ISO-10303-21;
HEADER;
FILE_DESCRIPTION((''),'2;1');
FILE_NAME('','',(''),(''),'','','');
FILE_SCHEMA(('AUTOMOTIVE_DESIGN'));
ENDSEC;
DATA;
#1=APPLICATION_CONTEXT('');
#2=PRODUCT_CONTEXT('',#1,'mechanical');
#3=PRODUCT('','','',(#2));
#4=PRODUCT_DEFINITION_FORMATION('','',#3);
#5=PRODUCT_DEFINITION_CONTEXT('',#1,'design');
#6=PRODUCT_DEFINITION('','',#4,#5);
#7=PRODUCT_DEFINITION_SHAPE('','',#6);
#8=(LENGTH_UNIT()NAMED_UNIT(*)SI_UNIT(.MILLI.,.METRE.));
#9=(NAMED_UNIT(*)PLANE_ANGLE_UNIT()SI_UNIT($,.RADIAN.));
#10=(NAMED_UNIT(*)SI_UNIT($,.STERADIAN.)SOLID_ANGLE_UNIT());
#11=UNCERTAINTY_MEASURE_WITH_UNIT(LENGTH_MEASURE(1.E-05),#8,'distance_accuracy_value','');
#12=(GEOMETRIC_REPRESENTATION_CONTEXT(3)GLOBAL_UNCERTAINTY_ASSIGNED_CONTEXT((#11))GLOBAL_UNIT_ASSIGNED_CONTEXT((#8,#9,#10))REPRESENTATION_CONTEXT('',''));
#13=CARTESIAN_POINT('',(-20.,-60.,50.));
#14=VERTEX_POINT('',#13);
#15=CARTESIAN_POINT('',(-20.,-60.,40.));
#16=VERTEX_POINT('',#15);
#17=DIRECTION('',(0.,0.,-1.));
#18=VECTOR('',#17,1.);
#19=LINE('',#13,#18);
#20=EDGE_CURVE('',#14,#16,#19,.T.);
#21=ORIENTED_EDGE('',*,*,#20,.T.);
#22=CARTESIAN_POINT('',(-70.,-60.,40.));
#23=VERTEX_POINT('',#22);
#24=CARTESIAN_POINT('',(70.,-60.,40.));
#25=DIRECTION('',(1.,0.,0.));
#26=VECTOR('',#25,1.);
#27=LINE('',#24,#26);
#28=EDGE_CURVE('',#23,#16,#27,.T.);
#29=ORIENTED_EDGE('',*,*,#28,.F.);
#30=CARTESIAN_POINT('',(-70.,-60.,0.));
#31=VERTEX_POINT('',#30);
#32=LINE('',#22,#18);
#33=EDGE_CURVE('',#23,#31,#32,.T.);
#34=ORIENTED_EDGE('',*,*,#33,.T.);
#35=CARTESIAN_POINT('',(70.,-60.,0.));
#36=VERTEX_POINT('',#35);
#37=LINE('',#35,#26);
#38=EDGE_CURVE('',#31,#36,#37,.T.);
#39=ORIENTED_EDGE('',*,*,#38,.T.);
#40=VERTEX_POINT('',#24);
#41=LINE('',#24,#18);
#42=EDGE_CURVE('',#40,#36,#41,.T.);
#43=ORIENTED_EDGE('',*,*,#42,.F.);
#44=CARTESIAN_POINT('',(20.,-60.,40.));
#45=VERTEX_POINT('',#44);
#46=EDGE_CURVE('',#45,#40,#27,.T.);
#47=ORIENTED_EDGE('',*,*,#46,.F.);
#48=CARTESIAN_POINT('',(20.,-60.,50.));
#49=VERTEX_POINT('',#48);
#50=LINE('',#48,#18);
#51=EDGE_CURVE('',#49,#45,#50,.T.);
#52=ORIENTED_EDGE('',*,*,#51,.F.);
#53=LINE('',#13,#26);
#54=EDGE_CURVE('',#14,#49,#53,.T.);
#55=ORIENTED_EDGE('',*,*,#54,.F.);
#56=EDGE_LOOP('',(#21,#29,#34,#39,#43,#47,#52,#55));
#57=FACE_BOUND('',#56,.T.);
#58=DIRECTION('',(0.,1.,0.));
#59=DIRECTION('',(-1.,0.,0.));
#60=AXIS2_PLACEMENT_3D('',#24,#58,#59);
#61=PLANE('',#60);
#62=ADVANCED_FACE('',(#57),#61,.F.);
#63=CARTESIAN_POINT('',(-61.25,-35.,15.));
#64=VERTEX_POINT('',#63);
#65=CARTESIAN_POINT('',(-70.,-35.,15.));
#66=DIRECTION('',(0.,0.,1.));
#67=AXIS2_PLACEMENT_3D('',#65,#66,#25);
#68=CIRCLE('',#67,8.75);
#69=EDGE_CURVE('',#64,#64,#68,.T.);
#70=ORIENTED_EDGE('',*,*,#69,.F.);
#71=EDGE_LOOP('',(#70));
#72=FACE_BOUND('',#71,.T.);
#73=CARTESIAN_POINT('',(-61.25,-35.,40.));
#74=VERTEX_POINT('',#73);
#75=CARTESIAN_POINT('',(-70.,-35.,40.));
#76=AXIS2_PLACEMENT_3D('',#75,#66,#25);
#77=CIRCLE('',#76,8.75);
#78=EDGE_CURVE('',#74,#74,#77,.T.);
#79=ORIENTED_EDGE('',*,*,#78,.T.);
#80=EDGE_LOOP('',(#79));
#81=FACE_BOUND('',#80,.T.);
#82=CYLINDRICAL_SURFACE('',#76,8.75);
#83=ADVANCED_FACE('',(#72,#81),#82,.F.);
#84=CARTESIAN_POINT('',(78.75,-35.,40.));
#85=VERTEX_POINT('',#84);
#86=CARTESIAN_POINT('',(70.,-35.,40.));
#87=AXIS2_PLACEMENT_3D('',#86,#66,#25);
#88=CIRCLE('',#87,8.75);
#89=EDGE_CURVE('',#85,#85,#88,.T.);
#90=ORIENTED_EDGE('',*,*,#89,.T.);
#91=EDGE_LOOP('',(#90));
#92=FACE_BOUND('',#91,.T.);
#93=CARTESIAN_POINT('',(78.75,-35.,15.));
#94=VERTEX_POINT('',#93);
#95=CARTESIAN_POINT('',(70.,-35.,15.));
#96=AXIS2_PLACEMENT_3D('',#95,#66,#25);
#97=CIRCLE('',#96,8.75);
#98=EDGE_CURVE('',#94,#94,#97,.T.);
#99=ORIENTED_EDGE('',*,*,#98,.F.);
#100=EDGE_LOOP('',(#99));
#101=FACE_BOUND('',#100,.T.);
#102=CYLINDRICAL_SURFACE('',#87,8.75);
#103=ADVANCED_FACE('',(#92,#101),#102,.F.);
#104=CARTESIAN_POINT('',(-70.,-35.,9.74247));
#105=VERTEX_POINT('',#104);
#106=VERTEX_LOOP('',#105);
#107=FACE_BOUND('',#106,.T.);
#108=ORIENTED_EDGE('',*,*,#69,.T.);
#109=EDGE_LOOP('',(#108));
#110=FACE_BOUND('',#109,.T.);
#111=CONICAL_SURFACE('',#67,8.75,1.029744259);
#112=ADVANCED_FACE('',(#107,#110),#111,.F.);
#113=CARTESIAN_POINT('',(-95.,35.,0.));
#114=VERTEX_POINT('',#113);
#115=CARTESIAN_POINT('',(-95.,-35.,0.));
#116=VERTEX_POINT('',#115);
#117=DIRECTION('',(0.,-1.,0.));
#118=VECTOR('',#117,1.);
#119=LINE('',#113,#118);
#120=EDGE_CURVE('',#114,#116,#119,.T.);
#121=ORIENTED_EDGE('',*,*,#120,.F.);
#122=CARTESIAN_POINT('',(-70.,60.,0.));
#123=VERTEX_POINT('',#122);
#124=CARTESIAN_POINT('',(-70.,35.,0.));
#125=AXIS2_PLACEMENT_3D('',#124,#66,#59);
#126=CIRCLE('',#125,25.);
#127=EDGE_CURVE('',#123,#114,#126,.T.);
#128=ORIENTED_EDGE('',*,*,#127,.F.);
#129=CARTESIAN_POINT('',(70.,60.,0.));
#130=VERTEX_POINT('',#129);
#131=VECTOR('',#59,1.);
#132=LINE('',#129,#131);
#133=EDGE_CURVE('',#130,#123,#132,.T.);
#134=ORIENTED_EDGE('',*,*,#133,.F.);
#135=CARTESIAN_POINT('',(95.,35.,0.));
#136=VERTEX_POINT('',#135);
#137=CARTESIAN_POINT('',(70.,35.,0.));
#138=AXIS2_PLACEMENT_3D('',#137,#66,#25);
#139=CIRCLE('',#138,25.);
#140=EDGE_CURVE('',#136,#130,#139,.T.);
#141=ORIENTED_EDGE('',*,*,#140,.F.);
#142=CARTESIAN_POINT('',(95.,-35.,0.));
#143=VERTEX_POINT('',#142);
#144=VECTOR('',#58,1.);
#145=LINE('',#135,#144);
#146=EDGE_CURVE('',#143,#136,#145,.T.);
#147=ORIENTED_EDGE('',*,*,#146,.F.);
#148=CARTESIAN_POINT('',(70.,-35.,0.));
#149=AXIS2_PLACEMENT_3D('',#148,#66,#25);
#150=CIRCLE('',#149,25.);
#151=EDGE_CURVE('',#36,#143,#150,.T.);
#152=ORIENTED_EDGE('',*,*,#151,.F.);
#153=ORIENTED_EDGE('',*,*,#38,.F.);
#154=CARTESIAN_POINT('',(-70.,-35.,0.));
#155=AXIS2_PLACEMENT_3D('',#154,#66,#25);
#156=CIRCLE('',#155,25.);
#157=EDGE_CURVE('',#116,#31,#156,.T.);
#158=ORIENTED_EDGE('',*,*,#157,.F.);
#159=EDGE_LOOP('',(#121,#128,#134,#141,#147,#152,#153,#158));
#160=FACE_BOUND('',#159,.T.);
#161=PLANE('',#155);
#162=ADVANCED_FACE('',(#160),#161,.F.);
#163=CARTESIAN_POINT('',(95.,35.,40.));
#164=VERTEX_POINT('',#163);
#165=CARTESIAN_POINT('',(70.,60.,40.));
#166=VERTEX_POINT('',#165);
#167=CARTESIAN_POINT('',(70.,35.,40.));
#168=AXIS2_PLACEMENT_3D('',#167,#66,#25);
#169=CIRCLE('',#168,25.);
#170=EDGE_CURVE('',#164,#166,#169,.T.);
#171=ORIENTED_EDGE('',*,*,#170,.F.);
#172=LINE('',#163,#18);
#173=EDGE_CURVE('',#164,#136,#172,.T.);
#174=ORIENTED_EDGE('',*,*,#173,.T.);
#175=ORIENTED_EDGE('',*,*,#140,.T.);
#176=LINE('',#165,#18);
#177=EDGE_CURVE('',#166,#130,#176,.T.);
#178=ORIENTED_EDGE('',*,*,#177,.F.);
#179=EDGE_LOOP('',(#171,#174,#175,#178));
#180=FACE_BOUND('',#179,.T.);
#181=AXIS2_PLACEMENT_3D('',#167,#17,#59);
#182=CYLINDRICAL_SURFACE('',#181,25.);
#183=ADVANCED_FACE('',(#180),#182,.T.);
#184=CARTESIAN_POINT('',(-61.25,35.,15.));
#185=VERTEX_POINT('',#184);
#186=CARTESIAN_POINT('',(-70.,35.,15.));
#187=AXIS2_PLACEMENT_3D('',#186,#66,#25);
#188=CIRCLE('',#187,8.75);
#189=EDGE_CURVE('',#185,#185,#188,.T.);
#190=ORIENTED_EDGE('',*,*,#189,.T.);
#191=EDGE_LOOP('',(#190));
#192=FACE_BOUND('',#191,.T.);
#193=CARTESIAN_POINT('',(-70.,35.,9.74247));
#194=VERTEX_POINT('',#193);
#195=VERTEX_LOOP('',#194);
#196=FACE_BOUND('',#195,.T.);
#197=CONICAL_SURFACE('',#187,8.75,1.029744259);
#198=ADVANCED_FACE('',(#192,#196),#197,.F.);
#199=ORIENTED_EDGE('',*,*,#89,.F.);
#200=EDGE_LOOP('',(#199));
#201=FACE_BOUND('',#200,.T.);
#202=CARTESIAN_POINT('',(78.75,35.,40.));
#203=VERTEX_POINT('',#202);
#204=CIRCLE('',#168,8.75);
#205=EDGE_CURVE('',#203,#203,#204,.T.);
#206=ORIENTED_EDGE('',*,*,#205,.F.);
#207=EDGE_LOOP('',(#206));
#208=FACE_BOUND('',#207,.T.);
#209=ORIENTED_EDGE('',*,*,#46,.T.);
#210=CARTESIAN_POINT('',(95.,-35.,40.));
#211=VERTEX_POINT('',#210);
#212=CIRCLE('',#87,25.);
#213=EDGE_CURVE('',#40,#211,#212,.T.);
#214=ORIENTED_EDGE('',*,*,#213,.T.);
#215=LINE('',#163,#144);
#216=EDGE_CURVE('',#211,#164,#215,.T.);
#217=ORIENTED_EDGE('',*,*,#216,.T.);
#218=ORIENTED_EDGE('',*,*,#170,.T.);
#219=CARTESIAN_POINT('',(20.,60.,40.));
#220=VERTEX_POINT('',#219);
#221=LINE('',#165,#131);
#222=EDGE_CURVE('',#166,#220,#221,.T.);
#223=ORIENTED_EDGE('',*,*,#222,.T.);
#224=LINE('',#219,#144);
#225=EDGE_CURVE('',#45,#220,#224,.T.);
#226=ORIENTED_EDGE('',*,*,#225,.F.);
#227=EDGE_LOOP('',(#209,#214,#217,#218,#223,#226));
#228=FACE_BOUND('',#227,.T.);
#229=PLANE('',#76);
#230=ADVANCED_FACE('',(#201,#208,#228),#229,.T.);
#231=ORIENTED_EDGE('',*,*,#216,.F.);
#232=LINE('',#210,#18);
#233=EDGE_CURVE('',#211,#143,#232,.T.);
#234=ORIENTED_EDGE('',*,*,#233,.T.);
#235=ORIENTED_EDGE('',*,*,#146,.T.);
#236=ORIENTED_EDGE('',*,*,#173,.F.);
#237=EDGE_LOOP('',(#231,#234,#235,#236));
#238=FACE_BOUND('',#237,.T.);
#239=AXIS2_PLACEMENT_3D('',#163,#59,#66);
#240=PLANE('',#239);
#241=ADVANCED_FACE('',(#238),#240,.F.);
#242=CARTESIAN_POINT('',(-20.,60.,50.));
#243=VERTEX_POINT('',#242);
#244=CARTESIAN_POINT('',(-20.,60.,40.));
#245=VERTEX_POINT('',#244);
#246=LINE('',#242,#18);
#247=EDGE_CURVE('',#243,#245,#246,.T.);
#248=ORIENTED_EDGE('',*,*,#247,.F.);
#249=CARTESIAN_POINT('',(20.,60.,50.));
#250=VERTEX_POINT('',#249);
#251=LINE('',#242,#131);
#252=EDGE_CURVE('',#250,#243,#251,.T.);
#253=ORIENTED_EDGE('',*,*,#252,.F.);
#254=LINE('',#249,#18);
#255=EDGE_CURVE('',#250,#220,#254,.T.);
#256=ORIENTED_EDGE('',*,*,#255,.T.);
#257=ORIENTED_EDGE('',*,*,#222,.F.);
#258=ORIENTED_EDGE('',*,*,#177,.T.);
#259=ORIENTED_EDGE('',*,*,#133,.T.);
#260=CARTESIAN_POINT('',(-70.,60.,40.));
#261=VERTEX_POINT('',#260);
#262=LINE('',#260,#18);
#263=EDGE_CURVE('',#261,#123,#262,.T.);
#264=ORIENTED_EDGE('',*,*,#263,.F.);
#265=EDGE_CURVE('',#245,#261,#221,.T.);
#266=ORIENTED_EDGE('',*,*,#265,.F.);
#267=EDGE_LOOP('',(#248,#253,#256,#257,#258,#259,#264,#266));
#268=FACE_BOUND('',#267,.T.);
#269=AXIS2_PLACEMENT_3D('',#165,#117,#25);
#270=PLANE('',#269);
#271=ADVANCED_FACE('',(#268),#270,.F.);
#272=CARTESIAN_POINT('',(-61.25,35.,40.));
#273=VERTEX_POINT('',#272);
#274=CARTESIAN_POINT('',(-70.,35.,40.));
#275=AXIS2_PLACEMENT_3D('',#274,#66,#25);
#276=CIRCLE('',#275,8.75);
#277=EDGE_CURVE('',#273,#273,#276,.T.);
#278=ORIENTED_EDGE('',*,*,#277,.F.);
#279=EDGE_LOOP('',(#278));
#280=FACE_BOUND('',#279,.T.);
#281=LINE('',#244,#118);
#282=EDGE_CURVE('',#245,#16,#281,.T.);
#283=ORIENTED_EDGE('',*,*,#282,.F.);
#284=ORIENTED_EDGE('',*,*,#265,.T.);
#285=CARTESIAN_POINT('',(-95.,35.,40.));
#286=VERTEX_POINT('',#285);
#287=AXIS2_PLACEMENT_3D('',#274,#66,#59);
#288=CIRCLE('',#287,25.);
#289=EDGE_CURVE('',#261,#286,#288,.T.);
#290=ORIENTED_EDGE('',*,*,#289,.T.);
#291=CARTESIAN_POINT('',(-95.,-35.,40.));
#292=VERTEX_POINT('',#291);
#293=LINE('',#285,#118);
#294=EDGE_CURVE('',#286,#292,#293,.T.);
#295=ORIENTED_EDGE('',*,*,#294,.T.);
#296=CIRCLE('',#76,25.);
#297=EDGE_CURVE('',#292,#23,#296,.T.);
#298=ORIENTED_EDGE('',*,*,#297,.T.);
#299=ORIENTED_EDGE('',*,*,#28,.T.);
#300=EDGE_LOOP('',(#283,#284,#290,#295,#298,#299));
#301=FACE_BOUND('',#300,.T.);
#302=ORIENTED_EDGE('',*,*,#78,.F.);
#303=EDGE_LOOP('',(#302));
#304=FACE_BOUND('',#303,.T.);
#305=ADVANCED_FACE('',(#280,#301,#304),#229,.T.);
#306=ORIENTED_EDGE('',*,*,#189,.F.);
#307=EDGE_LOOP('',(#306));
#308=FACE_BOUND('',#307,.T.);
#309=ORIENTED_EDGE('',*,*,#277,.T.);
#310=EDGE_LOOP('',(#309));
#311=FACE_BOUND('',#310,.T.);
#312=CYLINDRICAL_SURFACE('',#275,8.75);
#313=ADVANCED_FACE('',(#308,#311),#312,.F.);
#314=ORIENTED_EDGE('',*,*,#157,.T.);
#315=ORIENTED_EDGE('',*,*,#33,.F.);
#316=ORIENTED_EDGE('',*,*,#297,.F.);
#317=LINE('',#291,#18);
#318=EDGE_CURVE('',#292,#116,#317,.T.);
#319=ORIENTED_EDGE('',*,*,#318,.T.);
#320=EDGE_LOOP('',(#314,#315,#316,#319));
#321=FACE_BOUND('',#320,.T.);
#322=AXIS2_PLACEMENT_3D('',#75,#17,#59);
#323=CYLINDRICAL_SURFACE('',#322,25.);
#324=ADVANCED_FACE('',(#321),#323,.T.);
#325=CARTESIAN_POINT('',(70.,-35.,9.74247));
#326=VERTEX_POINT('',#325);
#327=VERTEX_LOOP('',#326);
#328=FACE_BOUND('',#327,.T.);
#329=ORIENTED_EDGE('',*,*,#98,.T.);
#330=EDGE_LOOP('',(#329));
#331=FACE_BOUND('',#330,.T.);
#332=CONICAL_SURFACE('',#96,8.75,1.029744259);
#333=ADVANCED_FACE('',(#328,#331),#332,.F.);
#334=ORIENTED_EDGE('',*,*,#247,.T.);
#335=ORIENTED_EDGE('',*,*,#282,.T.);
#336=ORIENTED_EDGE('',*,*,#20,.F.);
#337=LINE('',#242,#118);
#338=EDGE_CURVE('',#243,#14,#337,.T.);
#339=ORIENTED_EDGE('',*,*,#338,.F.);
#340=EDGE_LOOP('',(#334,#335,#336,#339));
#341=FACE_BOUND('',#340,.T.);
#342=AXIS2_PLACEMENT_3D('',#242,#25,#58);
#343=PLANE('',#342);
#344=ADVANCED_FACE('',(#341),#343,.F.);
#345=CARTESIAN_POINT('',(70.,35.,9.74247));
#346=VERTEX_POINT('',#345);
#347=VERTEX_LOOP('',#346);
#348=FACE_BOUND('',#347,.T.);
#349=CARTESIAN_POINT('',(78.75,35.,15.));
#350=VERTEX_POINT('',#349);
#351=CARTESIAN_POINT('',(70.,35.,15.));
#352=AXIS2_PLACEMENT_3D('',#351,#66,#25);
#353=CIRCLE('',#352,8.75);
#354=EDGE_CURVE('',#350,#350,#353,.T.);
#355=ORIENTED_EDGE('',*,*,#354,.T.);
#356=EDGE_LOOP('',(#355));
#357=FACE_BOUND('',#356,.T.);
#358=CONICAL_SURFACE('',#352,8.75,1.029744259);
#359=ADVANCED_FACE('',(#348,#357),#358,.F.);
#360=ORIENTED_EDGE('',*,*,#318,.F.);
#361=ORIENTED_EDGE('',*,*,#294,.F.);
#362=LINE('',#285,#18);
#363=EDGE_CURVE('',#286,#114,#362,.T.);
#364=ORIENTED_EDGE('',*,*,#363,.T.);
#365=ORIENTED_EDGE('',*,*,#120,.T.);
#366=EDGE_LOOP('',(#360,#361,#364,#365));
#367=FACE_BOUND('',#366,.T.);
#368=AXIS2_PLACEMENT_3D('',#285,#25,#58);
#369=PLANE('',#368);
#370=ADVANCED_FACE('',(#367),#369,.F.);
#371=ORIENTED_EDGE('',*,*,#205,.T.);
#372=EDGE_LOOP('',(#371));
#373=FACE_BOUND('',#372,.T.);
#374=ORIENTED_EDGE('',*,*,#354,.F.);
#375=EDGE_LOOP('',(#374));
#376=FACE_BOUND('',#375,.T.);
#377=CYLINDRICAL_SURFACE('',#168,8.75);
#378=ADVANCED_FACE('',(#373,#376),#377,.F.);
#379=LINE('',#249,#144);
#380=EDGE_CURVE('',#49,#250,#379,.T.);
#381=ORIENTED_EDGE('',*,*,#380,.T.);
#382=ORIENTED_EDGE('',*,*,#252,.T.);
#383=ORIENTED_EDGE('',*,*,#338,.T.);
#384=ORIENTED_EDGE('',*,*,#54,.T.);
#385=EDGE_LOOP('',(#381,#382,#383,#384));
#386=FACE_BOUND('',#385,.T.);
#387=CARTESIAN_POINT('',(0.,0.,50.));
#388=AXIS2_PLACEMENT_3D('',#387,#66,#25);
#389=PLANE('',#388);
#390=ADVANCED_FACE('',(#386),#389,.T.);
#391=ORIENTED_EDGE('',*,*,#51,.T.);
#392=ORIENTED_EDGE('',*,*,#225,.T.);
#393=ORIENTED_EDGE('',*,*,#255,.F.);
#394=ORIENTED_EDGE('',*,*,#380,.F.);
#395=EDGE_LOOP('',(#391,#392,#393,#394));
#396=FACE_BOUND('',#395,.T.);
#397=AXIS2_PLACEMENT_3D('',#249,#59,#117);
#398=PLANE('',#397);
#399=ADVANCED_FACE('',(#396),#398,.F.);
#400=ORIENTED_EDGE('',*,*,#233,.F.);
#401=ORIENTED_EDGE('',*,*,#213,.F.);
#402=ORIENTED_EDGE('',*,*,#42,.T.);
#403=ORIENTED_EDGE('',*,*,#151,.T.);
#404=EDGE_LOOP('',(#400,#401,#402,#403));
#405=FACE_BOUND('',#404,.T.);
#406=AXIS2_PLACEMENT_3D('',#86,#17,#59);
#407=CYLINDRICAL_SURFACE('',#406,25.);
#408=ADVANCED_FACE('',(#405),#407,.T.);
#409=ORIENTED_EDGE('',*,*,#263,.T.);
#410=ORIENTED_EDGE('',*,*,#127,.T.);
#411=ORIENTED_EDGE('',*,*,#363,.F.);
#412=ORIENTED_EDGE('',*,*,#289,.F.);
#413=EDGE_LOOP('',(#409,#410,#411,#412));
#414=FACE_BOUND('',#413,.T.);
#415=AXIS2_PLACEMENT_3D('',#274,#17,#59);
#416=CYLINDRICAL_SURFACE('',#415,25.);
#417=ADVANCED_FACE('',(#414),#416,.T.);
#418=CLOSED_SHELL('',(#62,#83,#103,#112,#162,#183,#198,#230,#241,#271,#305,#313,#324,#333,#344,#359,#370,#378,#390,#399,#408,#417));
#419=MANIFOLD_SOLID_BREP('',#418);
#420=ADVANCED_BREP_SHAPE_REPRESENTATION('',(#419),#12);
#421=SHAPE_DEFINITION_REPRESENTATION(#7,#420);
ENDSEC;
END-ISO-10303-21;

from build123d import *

# Parameters (mm, degrees)
BOSS_EXTRUDE3_DEPTH    = 40
M20_TAPPED_HOLE1_D     = 17.5
M20_TAPPED_HOLE1_DEPTH = 25
M20_TAPPED_HOLE1_TIP   = 5.257530416
SKETCH6_W              = 40
SKETCH6_H              = 120
BOSS_EXTRUDE4_DEPTH    = 10


with BuildPart() as part:
    # Sketch1 → Boss-Extrude3 (new body)
    with BuildSketch(Plane.XY):
        with BuildLine():
            Line((70, 60), (-70, 60))
            ThreePointArc((-70, 60), (-87.67766953, 52.67766953), (-95, 35))
            Line((-95, 35), (-95, -35))
            ThreePointArc((-95, -35), (-87.67766953, -52.67766953), (-70, -60))
            Line((-70, -60), (70, -60))
            ThreePointArc((70, -60), (87.67766953, -52.67766953), (95, -35))
            Line((95, -35), (95, 35))
            ThreePointArc((95, 35), (87.67766953, 52.67766953), (70, 60))
        make_face()
    extrude(amount=BOSS_EXTRUDE3_DEPTH)

    # M20 Tapped Hole1
    with Locations(Plane(origin=(-70, 35, 40), x_dir=(1, 0, 0), z_dir=(0, 0, 1))):
        with Locations((0, 0), (0, -70), (140, -70), (140, 0)):
            Hole(M20_TAPPED_HOLE1_D / 2, depth=M20_TAPPED_HOLE1_DEPTH)
            with Locations((0, 0, -(M20_TAPPED_HOLE1_DEPTH + M20_TAPPED_HOLE1_TIP / 2))):  # 118° drill point
                Cone(0, M20_TAPPED_HOLE1_D / 2, M20_TAPPED_HOLE1_TIP, mode=Mode.SUBTRACT)

    # Sketch6 → Boss-Extrude4 (add)
    with BuildSketch(Plane.XY.offset(40)):
        Rectangle(SKETCH6_W, SKETCH6_H)
    extrude(amount=BOSS_EXTRUDE4_DEPTH)


solid = part.part
